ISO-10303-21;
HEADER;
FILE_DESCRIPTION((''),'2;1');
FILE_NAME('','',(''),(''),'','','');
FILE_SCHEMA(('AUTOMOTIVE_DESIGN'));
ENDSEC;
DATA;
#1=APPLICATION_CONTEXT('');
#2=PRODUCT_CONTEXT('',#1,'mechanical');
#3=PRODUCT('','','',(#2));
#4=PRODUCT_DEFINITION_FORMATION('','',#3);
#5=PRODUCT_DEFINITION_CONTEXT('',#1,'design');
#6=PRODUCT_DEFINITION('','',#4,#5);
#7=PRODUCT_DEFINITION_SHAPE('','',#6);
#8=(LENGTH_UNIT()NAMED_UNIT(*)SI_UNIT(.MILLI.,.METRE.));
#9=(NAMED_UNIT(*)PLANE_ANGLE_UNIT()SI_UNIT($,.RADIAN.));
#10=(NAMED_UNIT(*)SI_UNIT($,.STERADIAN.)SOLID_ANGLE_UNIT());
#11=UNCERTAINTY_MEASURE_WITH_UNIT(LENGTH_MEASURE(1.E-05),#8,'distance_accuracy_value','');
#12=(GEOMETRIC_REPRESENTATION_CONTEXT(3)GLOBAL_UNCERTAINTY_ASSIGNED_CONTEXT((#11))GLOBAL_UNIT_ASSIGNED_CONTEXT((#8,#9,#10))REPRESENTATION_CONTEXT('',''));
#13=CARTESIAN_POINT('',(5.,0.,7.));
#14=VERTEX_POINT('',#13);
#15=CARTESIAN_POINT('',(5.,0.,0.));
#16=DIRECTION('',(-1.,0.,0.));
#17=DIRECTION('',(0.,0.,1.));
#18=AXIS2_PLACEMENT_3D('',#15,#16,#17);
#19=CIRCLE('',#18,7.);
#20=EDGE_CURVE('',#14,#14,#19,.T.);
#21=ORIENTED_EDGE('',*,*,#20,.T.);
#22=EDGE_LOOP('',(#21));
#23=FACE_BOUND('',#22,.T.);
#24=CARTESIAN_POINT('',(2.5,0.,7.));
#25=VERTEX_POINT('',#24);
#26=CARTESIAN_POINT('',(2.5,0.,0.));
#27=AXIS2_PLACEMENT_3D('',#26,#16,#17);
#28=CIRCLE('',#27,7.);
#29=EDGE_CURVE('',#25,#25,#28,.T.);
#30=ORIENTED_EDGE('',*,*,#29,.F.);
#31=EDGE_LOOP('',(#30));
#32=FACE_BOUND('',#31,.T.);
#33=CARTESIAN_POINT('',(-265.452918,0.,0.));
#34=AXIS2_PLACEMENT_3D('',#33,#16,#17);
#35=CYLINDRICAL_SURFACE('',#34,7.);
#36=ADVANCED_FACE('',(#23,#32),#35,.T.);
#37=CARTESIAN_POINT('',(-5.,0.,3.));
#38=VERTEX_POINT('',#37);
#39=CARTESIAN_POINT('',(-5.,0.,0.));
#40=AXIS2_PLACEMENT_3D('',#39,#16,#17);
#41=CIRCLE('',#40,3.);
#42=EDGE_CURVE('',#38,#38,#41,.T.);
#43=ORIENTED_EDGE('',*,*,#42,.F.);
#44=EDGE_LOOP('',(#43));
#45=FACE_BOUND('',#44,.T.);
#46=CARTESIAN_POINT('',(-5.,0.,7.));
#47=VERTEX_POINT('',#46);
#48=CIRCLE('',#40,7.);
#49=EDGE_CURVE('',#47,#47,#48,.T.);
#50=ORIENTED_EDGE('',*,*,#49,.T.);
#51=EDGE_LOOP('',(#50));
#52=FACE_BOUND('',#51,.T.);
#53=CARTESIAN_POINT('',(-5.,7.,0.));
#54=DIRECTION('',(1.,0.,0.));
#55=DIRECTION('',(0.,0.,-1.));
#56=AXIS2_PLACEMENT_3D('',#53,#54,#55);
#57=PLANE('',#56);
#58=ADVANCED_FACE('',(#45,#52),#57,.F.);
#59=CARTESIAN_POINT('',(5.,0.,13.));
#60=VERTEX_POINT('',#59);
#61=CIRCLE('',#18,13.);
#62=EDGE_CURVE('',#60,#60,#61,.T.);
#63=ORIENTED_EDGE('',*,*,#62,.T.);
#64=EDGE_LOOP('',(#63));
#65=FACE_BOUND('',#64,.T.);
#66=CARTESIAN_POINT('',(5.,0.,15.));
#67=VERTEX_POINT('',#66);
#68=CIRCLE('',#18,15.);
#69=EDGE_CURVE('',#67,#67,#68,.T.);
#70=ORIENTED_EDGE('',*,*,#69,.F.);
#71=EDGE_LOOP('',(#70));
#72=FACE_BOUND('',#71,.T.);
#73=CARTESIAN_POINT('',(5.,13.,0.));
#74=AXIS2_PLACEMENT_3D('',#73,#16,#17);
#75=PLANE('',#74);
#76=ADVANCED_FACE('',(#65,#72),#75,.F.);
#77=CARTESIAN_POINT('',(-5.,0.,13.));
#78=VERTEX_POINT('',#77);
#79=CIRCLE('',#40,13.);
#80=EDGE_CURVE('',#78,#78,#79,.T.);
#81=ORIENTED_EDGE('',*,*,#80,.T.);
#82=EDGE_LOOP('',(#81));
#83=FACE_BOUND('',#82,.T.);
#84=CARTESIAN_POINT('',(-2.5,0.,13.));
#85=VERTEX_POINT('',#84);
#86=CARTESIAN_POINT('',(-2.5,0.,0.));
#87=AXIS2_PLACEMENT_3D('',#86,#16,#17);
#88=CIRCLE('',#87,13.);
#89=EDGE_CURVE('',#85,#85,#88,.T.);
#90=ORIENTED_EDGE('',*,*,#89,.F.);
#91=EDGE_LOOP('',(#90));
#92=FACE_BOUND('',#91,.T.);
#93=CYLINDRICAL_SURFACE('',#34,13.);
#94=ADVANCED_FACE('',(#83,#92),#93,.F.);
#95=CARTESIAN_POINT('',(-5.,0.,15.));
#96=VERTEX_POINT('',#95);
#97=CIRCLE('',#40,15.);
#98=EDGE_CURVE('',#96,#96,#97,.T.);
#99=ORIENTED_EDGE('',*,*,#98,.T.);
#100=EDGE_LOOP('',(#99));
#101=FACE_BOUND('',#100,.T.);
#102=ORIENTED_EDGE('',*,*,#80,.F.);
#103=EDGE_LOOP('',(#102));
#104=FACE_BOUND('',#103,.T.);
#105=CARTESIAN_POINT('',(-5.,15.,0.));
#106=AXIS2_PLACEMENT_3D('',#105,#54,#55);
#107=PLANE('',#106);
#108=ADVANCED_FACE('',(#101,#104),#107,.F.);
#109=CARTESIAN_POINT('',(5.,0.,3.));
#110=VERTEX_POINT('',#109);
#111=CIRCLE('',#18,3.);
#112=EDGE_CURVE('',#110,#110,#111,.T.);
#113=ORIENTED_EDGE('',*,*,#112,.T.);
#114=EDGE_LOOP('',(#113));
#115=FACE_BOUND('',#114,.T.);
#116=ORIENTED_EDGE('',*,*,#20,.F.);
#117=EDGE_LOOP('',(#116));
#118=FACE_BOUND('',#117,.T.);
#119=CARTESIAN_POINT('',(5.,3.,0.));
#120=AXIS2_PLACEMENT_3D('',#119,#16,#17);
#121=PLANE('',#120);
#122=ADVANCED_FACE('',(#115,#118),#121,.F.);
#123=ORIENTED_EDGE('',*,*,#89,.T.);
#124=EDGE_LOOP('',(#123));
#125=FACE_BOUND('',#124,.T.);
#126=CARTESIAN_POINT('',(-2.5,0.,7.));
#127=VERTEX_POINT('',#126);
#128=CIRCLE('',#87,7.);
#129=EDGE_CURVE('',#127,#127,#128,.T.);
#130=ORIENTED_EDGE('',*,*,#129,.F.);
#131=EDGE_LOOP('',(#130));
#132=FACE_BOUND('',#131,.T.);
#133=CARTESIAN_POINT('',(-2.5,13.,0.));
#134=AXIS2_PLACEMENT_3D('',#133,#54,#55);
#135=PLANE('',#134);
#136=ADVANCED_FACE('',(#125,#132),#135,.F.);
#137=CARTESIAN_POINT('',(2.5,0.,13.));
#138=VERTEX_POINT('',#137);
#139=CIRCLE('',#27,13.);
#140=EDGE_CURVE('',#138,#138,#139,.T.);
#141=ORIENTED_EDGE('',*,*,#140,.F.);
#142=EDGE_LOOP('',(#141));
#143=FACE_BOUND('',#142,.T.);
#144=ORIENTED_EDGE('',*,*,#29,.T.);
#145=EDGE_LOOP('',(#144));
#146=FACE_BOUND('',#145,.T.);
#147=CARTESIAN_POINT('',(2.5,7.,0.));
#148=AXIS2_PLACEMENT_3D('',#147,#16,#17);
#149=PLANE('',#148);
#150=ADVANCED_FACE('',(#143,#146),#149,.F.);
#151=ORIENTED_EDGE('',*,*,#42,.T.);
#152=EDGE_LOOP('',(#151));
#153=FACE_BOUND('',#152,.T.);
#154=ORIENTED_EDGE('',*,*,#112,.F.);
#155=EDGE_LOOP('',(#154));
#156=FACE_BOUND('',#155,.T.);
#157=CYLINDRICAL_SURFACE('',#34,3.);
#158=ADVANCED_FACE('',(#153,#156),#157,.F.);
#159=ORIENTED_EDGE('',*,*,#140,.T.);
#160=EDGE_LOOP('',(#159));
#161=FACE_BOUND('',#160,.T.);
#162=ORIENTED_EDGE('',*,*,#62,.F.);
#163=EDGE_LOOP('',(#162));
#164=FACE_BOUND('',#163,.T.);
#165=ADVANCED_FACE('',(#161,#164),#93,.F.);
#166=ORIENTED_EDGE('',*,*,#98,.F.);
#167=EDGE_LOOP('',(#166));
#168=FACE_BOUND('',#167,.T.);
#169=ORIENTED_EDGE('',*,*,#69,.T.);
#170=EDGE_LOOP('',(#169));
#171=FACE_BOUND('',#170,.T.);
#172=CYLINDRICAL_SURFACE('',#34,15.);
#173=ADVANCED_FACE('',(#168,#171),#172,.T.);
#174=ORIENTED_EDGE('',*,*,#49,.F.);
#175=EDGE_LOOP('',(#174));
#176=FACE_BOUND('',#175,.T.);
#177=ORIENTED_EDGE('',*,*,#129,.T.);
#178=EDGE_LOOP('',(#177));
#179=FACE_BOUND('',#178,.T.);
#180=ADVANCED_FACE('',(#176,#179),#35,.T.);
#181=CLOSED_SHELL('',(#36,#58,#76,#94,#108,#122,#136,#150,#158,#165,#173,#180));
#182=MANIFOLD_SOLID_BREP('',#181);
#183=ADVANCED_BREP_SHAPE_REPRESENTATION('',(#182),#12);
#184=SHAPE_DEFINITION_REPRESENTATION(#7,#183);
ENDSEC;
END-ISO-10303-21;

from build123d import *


with BuildPart() as part:
    # Sketch1 → Revolve1 (revolve)
    with BuildSketch(Plane.XY, mode=Mode.PRIVATE) as revolve1_sk:
        Polygon((-5, 3), (5, 3), (5, 7), (2.5, 7), (2.5, 13), (5, 13), (5, 15), (-5, 15), (-5, 13), (-2.5, 13), (-2.5, 7), (-5, 7), align=None)
    revolve(revolve1_sk.sketch.rotate(Axis((-265.452917719, 0, 0), (1, 0, 0)), 90), axis=Axis((-265.452917719, 0, 0), (1, 0, 0)))


solid = part.part
